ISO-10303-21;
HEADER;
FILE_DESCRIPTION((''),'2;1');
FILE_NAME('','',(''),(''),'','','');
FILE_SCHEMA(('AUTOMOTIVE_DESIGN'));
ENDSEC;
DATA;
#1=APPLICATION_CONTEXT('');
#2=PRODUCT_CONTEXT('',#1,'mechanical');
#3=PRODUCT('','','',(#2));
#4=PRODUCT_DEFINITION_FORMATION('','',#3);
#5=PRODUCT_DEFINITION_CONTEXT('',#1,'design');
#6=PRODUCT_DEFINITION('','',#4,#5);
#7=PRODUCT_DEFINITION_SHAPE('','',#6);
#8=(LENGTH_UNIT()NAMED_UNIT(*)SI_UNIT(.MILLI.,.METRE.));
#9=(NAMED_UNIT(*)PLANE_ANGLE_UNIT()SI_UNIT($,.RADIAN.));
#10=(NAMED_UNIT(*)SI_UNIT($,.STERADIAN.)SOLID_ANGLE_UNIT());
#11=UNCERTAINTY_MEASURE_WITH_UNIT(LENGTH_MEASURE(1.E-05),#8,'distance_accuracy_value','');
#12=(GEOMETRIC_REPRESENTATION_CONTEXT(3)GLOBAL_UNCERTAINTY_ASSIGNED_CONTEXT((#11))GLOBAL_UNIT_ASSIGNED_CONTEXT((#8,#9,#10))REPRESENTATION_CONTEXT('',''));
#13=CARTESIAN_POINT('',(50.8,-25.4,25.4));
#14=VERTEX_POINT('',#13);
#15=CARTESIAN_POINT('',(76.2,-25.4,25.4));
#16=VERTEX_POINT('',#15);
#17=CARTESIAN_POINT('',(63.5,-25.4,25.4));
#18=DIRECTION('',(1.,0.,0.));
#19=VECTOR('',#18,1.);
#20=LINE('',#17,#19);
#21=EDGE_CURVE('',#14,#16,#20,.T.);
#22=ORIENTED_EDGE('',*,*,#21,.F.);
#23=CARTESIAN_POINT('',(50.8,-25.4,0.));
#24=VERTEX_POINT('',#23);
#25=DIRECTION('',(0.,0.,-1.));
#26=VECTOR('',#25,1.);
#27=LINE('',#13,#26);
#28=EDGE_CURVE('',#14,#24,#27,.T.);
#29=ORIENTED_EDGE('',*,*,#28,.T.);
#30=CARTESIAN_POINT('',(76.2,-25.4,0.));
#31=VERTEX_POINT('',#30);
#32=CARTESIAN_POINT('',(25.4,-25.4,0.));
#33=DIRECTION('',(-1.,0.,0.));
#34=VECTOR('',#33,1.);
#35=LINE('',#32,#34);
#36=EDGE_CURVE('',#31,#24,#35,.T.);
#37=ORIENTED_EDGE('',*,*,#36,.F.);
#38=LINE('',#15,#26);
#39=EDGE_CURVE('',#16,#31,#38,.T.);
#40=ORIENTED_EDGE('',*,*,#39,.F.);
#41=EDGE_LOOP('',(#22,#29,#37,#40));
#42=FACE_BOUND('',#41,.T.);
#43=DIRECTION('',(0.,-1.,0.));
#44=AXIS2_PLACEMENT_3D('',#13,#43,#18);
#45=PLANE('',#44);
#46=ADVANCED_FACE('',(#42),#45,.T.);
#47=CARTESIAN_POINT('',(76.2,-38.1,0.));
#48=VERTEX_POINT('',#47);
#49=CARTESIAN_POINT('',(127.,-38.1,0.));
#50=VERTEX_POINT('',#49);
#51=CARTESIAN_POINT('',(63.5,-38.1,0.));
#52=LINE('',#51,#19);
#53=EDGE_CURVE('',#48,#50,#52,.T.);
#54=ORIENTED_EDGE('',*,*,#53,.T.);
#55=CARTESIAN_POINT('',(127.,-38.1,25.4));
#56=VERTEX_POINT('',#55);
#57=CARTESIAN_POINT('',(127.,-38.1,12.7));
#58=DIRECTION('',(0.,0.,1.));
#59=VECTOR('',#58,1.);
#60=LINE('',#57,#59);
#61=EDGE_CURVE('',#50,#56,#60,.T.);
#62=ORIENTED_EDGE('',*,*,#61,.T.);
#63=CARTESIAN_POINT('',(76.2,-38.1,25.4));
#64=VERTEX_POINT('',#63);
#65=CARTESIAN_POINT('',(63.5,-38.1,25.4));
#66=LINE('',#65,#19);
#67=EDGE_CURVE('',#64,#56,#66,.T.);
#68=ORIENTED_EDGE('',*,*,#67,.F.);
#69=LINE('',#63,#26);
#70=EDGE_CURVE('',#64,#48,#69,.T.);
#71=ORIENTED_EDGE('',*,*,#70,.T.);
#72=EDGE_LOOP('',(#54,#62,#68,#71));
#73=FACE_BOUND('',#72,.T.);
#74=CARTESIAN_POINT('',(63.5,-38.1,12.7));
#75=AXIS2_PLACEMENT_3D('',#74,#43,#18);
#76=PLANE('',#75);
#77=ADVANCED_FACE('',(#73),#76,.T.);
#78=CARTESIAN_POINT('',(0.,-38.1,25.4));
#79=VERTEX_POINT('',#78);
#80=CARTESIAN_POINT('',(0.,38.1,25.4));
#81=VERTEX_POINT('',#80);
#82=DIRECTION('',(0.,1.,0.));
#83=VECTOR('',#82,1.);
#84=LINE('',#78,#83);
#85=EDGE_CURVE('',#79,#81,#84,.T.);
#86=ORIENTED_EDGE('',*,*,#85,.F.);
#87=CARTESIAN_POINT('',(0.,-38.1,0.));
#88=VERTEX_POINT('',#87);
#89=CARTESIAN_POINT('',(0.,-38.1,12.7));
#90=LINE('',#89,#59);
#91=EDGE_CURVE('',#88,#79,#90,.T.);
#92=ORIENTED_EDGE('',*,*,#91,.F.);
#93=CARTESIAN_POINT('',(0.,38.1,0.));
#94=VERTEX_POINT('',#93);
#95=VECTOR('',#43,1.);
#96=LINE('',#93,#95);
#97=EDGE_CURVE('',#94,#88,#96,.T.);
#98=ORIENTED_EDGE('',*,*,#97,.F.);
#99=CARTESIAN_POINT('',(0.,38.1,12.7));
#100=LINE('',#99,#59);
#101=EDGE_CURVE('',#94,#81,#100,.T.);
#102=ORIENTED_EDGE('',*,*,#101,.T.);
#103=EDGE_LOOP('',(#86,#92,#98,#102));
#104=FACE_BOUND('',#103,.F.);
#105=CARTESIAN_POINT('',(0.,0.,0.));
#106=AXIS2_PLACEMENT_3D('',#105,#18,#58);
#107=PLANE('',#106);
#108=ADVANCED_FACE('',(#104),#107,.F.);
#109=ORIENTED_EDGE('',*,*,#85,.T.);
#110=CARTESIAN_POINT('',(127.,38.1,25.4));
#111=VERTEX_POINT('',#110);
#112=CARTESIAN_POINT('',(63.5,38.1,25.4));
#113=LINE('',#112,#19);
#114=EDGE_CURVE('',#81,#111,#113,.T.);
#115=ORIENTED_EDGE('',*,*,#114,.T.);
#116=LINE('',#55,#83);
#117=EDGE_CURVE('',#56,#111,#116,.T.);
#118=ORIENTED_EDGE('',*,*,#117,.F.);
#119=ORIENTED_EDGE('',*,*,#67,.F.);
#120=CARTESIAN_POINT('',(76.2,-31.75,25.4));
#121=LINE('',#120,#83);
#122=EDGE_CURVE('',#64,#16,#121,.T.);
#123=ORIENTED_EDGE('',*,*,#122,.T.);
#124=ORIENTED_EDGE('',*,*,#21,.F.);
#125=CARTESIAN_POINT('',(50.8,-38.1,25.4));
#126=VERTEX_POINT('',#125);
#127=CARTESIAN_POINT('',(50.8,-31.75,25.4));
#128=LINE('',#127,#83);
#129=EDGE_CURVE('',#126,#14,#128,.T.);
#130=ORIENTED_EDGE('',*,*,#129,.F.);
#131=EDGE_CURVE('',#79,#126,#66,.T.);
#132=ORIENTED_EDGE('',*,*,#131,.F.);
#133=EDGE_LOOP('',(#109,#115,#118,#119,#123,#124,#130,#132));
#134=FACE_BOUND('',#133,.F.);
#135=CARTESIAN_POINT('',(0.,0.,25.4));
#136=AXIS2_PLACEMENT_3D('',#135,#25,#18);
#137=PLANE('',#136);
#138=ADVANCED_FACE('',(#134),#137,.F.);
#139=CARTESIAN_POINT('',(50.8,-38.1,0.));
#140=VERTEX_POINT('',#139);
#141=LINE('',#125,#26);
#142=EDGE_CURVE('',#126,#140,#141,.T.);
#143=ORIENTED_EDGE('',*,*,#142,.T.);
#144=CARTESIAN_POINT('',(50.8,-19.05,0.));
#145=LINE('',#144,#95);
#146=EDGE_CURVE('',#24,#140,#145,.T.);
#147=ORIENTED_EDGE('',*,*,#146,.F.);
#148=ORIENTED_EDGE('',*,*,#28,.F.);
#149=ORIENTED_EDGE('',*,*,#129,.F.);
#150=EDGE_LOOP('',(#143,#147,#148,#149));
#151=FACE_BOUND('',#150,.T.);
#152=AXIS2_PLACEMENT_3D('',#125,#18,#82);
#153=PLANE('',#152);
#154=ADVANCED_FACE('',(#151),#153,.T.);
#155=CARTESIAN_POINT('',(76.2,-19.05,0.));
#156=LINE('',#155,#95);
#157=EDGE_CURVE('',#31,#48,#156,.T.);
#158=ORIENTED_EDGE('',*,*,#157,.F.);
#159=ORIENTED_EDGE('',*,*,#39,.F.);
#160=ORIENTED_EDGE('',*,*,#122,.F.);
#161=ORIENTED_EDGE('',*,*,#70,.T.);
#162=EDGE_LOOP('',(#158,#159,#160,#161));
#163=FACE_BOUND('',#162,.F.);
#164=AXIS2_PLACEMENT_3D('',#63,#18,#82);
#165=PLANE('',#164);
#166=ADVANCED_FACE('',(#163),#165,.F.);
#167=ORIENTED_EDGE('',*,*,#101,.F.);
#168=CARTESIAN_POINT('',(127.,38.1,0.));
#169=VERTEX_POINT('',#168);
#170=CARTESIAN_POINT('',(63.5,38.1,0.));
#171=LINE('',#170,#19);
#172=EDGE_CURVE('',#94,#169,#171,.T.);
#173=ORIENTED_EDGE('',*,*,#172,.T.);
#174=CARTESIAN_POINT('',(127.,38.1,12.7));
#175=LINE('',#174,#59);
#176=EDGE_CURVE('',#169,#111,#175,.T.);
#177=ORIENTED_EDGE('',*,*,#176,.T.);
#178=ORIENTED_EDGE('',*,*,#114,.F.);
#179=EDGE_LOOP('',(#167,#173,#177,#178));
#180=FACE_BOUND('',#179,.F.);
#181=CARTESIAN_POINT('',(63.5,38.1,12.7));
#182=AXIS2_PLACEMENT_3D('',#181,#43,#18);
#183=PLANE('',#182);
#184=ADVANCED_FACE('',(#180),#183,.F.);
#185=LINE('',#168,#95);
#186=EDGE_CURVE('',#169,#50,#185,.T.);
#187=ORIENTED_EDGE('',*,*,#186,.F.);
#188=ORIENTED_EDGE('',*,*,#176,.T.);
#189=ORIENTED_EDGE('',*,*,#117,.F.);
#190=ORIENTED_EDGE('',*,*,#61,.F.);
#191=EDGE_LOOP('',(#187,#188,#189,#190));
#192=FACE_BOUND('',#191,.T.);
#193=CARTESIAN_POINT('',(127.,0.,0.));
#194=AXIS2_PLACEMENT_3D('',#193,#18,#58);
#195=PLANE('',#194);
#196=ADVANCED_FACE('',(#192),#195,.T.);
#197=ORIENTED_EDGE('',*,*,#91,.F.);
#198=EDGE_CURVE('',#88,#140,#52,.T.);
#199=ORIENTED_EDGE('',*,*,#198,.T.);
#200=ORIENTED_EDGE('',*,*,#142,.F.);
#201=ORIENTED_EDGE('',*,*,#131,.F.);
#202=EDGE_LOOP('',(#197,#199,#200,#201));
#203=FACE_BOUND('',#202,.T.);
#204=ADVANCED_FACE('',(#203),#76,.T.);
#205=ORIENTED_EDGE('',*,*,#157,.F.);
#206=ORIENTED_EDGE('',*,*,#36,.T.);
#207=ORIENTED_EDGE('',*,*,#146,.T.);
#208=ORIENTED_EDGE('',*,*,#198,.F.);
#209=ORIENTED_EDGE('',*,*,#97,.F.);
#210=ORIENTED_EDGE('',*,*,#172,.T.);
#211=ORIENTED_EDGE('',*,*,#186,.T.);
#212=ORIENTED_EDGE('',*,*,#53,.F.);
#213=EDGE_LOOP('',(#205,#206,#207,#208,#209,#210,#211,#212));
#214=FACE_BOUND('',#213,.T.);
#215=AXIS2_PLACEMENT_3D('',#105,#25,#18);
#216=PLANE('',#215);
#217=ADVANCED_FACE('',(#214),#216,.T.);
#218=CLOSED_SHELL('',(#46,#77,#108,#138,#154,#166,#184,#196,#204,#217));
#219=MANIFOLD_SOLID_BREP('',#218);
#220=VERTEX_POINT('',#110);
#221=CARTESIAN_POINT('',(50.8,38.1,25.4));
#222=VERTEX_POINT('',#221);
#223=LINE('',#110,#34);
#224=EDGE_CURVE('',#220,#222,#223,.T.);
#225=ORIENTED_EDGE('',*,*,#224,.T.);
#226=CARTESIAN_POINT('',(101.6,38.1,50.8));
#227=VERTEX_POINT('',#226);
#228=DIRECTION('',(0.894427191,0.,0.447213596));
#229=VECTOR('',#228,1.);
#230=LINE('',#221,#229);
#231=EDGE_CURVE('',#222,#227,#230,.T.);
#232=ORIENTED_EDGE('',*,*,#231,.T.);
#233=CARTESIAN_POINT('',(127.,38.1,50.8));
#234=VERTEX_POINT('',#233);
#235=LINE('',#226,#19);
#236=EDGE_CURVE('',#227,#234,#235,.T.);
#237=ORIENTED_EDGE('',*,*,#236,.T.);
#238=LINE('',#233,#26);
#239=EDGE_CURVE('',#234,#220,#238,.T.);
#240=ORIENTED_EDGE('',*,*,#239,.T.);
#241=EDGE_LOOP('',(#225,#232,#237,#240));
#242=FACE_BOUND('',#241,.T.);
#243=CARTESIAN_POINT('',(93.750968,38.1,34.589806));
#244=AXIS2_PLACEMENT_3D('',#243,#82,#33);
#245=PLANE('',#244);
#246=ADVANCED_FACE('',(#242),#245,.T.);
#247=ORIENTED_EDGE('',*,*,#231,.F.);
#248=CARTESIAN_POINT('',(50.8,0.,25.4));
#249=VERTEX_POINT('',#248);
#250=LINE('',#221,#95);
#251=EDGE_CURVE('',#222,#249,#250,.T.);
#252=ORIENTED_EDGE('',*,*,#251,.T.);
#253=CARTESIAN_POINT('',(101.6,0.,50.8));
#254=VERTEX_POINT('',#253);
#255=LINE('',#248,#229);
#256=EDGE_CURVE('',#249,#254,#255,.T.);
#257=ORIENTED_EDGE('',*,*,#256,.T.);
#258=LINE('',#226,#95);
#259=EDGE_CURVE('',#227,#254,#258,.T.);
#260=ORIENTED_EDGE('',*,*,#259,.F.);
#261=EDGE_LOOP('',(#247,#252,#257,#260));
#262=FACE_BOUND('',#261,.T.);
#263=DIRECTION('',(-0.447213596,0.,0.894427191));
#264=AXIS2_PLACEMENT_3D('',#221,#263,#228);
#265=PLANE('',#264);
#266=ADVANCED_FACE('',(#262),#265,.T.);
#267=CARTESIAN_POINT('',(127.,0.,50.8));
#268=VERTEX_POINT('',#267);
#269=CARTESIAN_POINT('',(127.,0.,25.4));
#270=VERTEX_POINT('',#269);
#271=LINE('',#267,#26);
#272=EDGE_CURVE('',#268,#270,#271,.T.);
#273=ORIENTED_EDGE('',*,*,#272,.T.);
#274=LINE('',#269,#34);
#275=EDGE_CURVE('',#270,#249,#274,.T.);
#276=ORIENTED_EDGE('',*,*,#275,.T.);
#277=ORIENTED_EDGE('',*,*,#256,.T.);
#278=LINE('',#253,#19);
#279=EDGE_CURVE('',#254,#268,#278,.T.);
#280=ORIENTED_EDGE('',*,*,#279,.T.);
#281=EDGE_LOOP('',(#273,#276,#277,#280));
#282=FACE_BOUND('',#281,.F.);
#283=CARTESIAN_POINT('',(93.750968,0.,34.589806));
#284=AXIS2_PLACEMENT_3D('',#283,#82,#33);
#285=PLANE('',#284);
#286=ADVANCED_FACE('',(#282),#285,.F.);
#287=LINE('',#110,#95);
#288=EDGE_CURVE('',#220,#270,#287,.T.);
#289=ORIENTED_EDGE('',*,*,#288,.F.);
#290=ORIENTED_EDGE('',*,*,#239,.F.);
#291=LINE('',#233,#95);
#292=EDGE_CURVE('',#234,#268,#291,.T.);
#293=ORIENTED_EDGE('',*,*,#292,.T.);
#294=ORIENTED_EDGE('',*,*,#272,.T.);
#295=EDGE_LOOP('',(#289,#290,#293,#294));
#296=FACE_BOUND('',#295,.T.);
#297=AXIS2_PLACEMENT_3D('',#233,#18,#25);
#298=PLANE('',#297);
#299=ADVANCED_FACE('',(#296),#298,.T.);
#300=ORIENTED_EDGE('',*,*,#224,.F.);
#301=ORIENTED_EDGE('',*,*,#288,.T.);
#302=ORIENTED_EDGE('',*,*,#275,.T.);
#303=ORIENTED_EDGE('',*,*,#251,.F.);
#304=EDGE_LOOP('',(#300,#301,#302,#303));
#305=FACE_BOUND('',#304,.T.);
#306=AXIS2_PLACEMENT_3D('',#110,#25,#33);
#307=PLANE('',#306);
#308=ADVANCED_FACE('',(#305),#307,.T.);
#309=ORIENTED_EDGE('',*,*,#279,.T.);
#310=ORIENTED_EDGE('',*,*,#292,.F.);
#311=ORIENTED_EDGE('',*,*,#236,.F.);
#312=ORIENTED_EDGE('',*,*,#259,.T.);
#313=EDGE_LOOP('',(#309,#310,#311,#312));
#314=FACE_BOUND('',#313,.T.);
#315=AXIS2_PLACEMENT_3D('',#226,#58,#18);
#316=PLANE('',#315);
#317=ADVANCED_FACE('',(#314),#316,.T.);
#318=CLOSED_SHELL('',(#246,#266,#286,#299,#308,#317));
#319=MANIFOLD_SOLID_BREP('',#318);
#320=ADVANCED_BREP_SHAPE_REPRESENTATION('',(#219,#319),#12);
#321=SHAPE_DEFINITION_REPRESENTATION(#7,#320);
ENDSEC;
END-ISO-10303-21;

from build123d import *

# Parameters (mm, degrees)
F0_W     = 127
F0_H     = 25.4
F1_DEPTH = 38.1
F3_DEPTH = 38.1
F4_W     = 25.4
F4_H     = 12.7
F5_DEPTH = 25.401


with BuildPart() as f1:
    # F0 (on Front) → F1 (new body, symmetric)
    with BuildSketch(Plane.XZ):
        with Locations((63.5, 12.7)):
            Rectangle(F0_W, F0_H)
    extrude(amount=F1_DEPTH, both=True)

    # F4 (on face) → F5 (cut, through all)
    with BuildSketch(Plane.XY.offset(25.4)):
        with Locations((63.5, -31.75)):
            Rectangle(F4_W, F4_H)
    extrude(amount=-F5_DEPTH, mode=Mode.SUBTRACT)


with BuildPart() as f3:
    # F2 (on face) → F3 (new body)
    with BuildSketch(Plane(origin=(0, 38.1, 0), x_dir=(-1, 0, 0), z_dir=(0, 1, 0))):
        Polygon((-127, 50.8), (-127, 25.4), (-50.8, 25.4), (-101.6, 50.8), align=None)
    extrude(amount=-F3_DEPTH)


solid = Compound([f1.part, f3.part])
